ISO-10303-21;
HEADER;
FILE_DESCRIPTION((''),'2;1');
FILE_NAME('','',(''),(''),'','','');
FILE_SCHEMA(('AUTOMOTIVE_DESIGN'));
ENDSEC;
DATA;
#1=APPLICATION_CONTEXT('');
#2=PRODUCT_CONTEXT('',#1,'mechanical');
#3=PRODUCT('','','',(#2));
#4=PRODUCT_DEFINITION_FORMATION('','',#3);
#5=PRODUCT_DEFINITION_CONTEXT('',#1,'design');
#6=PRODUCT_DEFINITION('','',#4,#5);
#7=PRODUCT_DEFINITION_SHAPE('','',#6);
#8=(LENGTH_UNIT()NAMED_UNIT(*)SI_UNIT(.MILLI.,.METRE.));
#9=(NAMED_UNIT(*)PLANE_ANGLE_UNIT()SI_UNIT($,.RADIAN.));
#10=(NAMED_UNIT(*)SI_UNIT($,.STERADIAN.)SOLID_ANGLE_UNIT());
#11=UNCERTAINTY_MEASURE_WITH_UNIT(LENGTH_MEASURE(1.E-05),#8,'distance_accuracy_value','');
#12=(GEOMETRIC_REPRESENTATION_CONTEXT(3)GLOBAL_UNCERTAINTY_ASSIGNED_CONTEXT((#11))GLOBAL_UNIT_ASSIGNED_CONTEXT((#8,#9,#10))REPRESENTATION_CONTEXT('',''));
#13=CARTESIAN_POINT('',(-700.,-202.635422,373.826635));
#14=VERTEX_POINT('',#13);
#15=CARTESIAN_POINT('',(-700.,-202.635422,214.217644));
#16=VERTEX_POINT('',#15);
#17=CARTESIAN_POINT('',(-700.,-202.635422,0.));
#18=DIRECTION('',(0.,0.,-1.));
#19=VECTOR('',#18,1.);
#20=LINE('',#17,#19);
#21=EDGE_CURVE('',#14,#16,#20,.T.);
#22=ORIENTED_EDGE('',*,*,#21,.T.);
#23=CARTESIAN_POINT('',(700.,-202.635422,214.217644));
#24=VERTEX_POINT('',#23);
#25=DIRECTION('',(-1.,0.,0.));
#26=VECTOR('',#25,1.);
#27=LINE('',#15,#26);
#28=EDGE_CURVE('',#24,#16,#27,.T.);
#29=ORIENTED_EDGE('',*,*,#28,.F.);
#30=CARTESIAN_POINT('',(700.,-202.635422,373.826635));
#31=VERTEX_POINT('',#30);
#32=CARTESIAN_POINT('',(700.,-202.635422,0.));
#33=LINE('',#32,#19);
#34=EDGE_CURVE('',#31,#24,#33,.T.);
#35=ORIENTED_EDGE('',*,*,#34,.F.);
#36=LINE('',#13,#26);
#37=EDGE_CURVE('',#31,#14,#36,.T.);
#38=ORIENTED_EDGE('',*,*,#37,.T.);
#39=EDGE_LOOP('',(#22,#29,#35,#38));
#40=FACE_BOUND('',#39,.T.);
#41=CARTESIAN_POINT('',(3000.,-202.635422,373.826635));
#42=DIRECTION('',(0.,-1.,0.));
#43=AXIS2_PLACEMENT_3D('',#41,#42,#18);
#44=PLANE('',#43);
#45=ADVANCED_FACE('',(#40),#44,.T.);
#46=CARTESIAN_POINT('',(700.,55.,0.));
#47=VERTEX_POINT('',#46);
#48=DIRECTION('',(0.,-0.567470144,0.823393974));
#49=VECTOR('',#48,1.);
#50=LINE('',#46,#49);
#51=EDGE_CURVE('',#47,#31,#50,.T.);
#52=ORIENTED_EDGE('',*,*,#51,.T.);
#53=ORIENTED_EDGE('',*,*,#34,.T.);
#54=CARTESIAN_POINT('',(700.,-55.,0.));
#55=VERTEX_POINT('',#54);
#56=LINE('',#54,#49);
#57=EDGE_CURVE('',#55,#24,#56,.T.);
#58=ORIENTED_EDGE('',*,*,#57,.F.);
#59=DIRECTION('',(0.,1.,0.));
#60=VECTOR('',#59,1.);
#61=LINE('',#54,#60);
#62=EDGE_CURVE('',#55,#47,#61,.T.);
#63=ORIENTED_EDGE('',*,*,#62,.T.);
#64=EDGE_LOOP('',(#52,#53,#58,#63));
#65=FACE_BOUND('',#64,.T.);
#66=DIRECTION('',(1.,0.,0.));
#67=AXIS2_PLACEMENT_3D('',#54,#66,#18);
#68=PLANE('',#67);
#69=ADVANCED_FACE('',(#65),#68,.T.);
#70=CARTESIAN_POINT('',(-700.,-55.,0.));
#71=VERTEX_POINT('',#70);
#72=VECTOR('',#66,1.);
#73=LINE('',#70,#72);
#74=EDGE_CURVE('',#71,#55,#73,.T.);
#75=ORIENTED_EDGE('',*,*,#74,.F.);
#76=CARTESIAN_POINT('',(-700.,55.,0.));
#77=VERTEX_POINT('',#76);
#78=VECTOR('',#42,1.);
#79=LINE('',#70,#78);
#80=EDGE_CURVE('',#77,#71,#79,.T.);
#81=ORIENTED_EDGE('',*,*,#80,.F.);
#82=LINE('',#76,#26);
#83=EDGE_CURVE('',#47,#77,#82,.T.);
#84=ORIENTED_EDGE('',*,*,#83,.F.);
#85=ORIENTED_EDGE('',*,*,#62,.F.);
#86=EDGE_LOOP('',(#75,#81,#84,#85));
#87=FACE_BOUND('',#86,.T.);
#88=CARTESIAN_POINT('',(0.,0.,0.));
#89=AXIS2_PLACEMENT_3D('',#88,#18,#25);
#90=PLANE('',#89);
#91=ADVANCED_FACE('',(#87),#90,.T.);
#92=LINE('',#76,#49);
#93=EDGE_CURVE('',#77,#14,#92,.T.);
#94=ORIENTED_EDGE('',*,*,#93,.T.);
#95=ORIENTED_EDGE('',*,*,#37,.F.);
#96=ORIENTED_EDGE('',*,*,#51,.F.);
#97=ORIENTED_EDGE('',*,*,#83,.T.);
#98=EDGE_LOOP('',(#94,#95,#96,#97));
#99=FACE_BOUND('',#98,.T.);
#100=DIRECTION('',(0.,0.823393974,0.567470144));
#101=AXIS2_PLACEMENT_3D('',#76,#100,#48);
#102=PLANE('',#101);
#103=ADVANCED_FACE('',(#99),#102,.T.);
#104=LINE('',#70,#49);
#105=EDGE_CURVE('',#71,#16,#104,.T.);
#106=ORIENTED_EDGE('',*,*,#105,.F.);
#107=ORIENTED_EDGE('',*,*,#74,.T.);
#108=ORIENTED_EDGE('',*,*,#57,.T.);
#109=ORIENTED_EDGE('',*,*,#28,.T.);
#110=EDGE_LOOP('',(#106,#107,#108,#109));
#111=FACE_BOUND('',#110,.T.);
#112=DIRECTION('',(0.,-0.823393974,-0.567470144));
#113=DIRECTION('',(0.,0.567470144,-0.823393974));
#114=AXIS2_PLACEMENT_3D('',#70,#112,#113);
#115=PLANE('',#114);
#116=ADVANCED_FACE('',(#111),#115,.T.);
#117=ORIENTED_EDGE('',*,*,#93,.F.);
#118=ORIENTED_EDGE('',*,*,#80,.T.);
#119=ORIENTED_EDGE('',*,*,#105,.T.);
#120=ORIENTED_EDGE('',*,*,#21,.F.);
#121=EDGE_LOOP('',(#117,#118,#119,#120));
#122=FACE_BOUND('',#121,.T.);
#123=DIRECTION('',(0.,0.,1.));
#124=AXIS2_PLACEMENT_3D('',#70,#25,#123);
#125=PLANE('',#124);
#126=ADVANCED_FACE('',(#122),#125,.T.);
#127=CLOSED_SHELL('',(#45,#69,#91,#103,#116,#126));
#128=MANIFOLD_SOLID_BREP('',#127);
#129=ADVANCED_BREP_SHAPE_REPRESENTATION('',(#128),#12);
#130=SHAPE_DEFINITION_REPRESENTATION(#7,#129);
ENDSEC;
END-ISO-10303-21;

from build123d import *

# Parameters (mm, degrees)
SKETCH1_W          = 1400
SKETCH1_H          = 110
SKETCH3_W          = 241.229259038
SKETCH3_H          = 118.473208867
CUT_EXTRUDE1_DEPTH = 3000
SKETCH4_W          = 263.080499957
SKETCH4_H          = 130.335311081
CUT_EXTRUDE2_DEPTH = 1000


with BuildPart() as part:
    # Sweep2: sweep along a path in Sketch2
    with BuildLine(Plane(origin=(0, 0, 0), x_dir=(0, 0, -1), z_dir=(1, 0, 0))) as sweep2_path:
        Line((0, -52.72397822), (-373.826634648, -310.359400666))
    # Sketch1 → Sweep2 (sweep)
    with BuildSketch(Plane.XY):
        Rectangle(SKETCH1_W, SKETCH1_H)
    sweep(path=sweep2_path.line)

    # Sketch3 → Cut-Extrude1 (cut)
    with BuildSketch(Plane(origin=(0, 0, 0), x_dir=(0, 0, -1), z_dir=(1, 0, 0))):
        with Locations((-253.212005129, -261.87202688)):
            Rectangle(SKETCH3_W, SKETCH3_H)
    extrude(amount=CUT_EXTRUDE1_DEPTH, mode=Mode.SUBTRACT)

    # Sketch4 → Cut-Extrude2 (cut)
    with BuildSketch(Plane(origin=(0, 0, 0), x_dir=(0, 0, -1), z_dir=(1, 0, 0))):
        with Locations((-242.28638467, -267.803077986)):
            Rectangle(SKETCH4_W, SKETCH4_H)
    extrude(amount=-CUT_EXTRUDE2_DEPTH, mode=Mode.SUBTRACT)


solid = part.part
